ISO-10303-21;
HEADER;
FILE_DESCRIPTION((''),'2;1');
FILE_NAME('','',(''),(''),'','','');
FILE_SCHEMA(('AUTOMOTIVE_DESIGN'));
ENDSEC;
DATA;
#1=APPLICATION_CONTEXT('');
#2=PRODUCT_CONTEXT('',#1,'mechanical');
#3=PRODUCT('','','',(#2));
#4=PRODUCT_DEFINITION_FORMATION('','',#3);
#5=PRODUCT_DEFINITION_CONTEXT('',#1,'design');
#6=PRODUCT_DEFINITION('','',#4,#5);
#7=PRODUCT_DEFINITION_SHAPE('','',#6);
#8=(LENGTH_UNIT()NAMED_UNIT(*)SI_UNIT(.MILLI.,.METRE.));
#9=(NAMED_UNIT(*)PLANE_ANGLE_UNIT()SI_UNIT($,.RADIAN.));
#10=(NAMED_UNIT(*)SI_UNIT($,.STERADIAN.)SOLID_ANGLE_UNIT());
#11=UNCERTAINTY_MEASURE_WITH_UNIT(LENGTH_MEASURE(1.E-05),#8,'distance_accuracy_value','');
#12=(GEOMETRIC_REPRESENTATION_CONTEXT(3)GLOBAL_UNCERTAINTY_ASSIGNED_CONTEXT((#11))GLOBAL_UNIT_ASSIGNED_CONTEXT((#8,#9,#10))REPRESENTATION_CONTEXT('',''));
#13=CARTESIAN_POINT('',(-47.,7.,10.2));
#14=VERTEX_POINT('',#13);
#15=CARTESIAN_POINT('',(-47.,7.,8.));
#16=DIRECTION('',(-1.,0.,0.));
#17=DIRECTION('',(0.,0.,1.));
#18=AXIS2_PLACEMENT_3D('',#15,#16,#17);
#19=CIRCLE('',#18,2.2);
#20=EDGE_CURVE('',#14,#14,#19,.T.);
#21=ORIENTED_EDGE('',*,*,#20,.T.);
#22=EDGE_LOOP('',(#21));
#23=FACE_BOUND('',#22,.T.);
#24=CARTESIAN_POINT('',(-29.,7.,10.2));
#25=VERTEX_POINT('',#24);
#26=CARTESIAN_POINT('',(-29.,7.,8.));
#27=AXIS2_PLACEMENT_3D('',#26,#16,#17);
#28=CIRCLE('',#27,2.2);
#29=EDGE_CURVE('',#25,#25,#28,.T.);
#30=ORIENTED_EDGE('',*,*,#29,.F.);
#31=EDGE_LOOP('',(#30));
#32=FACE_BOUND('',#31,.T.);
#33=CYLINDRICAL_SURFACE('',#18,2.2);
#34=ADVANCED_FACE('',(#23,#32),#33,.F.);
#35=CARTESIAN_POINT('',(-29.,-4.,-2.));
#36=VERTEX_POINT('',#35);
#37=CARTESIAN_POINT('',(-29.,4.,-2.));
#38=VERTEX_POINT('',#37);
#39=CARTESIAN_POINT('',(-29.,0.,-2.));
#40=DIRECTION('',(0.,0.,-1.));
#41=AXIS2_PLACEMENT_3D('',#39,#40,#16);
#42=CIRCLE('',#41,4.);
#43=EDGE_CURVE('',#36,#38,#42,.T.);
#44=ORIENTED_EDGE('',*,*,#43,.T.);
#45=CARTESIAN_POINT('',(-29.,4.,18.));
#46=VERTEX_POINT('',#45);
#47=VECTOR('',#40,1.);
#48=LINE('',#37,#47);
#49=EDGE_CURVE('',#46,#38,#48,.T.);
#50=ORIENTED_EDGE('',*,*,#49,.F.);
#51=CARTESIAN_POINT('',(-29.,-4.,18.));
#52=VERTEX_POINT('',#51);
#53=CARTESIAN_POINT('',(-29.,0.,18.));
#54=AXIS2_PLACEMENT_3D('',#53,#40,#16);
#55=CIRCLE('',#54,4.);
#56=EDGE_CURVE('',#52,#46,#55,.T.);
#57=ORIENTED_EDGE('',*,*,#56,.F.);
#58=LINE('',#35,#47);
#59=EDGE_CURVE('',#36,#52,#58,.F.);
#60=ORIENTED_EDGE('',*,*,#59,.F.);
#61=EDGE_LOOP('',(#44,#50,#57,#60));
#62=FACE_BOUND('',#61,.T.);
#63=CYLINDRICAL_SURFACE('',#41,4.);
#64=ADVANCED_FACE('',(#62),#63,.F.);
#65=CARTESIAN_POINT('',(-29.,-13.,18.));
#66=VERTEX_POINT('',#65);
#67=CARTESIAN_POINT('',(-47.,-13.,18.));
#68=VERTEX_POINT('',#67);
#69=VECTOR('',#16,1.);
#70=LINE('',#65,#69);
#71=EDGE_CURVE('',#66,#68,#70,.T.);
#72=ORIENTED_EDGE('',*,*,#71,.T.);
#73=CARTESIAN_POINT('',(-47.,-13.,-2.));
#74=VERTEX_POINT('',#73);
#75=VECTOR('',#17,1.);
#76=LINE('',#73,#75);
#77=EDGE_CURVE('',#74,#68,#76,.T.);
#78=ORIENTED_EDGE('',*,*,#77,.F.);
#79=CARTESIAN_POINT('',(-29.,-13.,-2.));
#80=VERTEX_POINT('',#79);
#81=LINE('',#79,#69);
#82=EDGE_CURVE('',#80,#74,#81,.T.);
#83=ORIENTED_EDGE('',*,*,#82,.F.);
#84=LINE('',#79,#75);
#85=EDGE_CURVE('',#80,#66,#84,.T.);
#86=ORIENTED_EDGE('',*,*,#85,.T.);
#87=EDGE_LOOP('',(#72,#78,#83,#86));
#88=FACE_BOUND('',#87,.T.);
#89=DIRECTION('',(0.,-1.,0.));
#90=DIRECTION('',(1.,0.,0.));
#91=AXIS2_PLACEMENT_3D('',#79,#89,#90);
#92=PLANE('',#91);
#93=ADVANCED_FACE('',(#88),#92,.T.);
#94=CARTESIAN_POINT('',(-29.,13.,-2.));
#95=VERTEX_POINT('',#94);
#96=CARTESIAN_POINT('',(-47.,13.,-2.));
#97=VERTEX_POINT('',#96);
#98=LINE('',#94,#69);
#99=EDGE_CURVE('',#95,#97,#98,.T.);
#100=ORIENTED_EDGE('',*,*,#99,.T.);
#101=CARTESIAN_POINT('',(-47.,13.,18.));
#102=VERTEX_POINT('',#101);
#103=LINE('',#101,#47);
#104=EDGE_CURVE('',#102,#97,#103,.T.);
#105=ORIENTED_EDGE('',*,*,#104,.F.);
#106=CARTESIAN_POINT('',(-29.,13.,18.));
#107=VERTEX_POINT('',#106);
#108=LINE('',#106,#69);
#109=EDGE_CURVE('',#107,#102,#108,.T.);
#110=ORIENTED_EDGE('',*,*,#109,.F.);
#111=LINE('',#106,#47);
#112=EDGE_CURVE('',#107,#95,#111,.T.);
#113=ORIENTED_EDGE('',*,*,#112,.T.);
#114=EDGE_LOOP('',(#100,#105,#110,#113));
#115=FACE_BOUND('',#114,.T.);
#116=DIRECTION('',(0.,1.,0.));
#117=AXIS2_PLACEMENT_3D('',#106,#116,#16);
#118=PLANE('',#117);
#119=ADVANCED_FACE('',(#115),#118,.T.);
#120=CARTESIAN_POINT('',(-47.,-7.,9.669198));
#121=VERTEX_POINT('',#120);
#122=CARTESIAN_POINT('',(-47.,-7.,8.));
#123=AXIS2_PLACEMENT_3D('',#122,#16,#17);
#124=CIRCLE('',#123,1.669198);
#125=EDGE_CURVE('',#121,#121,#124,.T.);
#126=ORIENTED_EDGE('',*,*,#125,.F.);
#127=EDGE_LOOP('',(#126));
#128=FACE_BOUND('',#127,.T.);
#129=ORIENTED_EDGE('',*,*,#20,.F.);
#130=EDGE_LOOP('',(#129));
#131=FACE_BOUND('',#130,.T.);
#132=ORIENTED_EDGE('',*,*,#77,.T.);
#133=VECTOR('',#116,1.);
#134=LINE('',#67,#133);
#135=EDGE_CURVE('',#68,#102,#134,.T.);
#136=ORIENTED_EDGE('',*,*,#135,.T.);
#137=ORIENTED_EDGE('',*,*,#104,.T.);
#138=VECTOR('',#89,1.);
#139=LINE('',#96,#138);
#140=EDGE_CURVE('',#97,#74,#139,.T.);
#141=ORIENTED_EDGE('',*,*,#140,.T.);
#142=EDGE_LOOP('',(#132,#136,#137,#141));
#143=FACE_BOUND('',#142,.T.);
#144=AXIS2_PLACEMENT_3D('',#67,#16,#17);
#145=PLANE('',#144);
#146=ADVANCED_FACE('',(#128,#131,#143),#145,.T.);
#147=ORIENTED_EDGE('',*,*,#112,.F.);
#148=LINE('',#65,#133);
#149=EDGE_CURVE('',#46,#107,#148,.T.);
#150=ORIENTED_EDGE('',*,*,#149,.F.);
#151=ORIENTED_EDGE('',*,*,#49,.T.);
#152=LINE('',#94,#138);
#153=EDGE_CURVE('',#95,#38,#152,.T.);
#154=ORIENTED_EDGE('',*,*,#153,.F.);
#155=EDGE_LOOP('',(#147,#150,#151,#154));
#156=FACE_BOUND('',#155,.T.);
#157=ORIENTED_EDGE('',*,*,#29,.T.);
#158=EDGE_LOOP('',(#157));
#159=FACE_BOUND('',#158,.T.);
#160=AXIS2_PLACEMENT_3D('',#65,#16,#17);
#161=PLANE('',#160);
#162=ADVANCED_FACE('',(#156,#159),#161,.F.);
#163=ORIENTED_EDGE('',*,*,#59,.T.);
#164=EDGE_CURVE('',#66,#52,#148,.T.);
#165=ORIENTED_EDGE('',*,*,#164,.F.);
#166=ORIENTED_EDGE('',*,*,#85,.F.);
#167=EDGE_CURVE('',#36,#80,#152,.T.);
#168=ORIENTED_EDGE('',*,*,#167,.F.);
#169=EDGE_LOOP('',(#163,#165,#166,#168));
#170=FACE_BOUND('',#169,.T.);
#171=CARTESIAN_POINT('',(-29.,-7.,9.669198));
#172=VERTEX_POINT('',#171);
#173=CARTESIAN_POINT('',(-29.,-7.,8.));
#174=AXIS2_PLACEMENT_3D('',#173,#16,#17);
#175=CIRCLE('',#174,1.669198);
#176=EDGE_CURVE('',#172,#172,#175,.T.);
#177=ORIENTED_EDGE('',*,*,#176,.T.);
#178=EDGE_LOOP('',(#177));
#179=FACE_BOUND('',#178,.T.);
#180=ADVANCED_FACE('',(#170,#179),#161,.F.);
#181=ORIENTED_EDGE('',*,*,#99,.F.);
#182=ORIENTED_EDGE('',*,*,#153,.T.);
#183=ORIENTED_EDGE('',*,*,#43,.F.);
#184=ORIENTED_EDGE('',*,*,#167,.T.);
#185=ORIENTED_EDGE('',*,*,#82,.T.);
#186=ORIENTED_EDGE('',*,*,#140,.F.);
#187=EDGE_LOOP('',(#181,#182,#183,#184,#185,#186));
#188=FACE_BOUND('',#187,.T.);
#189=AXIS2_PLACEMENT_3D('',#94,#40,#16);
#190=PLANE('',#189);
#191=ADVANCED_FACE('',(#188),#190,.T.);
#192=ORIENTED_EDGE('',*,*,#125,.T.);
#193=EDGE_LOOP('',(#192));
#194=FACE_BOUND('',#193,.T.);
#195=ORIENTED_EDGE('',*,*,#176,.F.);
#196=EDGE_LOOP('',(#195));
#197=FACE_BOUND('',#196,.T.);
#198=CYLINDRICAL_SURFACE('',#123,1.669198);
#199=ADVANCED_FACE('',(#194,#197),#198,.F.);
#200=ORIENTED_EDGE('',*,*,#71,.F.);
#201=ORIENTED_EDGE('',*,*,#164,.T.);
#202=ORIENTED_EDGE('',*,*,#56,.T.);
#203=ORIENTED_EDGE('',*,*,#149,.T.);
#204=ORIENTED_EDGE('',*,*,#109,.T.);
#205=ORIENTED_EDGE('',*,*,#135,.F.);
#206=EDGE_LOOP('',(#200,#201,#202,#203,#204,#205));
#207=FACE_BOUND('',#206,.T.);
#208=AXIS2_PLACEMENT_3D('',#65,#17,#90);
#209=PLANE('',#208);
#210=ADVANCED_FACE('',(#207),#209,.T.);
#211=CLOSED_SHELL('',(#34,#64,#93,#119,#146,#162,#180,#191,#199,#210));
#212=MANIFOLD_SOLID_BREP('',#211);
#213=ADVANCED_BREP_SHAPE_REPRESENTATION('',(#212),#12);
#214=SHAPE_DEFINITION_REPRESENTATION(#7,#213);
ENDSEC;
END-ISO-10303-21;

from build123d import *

# Parameters (mm, degrees)
SKETCH1_W           = 26
SKETCH1_H           = 20
BOSS_EXTRUDE1_DEPTH = 18
HOLE1_D             = 4.4
HOLE2_D             = 3.33839548
HOLE3_D             = 8


with BuildPart() as part:
    # Sketch1 → Boss-Extrude1 (new body)
    with BuildSketch(Plane(origin=(-47, 0, 0), x_dir=(0, -1, 0), z_dir=(-1, 0, 0))):
        with Locations((0, 8)):
            Rectangle(SKETCH1_W, SKETCH1_H)
    extrude(amount=-BOSS_EXTRUDE1_DEPTH)

    # Hole1 (through all)
    with Locations(Plane.ZY.offset(47)):
        with Locations((8, 7)):
            Hole(HOLE1_D / 2)

    # Hole2 (through all)
    with Locations(Plane.ZY.offset(47)):
        with Locations((8, -7)):
            Hole(HOLE2_D / 2)

    # Hole3 (through all)
    with Locations(Plane(origin=(0, 0, -2), x_dir=(-1, 0, 0), z_dir=(0, 0, -1))):
        with Locations((29, 0)):
            Hole(HOLE3_D / 2)


solid = part.part
